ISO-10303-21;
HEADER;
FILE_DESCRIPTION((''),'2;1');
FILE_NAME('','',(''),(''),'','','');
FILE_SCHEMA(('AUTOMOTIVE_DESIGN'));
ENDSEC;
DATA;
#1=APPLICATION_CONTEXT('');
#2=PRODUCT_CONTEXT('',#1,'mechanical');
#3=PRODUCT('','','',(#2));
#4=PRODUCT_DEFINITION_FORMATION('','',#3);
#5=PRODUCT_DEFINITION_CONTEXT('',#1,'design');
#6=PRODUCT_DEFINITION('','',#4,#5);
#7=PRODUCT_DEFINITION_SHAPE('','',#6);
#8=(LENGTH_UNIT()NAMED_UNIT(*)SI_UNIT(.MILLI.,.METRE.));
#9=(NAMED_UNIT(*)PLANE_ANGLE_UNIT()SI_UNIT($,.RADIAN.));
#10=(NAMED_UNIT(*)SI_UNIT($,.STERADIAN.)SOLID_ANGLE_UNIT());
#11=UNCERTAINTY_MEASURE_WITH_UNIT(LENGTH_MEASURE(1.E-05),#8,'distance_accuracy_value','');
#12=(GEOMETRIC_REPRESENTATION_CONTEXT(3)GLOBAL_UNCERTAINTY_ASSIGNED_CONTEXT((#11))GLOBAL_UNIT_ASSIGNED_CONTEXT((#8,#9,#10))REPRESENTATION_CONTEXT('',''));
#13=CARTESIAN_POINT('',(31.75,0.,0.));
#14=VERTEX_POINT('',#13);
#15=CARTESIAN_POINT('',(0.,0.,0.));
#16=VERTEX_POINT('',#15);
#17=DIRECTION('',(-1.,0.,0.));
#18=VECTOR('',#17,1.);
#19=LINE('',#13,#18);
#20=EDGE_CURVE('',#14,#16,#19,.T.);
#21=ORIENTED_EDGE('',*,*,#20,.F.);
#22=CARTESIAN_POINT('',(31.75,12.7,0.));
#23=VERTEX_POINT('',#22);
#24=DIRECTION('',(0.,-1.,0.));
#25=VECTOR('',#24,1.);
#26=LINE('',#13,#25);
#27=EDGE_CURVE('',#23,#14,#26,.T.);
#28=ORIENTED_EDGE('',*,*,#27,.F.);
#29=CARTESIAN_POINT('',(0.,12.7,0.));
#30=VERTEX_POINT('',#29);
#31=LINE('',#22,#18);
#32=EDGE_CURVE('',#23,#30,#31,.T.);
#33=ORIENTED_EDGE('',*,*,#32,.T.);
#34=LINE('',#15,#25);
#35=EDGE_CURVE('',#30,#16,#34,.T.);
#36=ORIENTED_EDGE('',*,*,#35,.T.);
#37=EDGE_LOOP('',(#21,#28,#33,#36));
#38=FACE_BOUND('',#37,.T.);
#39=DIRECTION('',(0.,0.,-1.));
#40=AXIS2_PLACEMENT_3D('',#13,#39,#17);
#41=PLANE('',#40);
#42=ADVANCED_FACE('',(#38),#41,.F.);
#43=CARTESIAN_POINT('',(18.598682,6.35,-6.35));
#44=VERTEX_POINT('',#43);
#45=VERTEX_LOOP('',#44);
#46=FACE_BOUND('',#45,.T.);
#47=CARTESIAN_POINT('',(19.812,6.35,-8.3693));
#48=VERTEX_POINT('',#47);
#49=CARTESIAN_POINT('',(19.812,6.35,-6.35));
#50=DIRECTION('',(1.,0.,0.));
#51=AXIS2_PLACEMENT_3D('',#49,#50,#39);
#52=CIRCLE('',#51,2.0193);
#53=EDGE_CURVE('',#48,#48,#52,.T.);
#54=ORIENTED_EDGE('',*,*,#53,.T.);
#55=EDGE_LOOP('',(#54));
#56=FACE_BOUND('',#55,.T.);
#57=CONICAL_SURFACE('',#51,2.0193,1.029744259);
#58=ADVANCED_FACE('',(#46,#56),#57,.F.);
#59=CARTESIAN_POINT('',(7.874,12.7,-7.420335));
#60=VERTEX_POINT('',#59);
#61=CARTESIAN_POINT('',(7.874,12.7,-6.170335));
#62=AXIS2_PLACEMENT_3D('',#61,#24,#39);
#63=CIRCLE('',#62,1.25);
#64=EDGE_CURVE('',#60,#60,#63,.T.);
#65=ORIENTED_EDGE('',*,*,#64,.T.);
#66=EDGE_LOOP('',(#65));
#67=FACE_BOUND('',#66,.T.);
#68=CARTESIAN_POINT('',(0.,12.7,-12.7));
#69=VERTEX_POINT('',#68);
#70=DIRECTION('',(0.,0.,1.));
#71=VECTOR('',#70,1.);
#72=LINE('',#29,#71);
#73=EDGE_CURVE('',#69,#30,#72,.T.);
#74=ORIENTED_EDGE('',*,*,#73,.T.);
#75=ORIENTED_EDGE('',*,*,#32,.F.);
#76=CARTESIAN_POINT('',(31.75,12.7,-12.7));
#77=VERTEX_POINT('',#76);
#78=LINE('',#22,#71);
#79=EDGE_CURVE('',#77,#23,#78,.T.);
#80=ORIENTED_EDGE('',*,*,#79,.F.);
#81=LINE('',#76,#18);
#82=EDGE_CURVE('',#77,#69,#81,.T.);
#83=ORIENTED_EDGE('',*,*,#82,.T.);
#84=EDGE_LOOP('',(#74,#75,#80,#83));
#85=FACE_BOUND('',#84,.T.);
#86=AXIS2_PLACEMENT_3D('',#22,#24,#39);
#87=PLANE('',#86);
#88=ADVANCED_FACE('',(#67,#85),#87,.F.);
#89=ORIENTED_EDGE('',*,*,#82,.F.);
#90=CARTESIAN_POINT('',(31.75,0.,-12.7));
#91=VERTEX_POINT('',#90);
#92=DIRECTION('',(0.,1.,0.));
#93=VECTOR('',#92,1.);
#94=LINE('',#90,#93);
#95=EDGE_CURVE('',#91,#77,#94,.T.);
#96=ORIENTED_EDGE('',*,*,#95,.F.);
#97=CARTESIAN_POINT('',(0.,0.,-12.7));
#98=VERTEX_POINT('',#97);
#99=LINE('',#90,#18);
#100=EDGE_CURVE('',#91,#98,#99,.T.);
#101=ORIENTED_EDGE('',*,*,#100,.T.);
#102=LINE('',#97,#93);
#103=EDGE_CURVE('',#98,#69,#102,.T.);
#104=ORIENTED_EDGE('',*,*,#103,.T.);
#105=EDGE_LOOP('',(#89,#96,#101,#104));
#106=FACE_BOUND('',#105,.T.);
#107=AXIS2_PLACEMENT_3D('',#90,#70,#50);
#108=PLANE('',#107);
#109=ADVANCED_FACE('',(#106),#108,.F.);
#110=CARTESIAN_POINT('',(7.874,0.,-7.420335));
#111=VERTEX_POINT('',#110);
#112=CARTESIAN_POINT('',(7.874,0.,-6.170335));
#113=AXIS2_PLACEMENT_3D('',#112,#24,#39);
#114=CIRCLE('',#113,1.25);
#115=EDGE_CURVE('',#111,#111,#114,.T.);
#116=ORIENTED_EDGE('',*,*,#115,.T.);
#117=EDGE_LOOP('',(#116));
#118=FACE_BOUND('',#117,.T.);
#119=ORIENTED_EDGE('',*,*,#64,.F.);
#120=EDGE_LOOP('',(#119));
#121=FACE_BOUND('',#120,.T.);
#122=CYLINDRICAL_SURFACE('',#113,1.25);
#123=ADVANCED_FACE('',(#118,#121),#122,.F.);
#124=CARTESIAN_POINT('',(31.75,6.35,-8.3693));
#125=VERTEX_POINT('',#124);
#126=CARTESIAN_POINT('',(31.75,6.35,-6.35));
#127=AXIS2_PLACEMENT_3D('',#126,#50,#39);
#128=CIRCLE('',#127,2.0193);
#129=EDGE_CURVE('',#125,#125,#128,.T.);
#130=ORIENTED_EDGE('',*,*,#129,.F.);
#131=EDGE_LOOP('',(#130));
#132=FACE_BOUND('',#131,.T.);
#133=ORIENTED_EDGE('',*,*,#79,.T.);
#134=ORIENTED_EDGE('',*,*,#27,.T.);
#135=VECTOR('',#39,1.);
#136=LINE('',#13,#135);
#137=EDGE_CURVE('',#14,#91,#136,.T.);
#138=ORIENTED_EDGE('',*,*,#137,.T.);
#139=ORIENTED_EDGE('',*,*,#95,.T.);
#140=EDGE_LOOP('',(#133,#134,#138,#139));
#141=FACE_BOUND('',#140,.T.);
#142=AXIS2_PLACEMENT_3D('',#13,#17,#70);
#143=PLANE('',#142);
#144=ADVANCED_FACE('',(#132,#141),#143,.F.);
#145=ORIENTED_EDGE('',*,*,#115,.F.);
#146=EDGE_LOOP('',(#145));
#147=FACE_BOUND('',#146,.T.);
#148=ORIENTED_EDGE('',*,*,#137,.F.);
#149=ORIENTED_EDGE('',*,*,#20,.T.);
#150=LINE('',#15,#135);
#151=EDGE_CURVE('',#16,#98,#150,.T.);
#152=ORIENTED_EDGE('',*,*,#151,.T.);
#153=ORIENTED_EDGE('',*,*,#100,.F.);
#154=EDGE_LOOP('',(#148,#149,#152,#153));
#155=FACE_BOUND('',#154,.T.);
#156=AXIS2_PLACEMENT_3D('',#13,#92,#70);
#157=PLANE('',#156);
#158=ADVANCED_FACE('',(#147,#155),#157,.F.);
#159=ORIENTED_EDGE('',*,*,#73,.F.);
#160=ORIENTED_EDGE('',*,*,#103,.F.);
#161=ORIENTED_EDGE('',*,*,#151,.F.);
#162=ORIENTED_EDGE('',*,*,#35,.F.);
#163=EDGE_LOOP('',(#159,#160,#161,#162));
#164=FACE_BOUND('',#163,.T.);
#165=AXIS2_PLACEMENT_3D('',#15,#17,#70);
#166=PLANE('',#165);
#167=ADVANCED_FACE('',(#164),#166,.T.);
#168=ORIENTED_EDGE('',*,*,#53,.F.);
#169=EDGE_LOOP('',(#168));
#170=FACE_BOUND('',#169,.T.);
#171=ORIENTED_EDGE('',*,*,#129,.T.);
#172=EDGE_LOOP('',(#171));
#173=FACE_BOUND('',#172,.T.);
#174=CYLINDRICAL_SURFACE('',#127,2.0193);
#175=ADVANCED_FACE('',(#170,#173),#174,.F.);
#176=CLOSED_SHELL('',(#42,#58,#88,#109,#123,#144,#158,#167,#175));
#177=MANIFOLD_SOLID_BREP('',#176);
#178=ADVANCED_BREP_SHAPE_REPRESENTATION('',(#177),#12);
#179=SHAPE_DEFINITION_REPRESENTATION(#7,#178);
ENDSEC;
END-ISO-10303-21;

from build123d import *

# Parameters (mm, degrees)
SKETCH1_W                  = 12.7
SKETCH1_H                  = 12.7
BOSS_EXTRUDE1_DEPTH        = 31.75
F_10_32_TAPPED_HOLE1_D     = 4.0386
F_10_32_TAPPED_HOLE1_DEPTH = 11.938
F_10_32_TAPPED_HOLE1_TIP   = 1.213317848
M3X0_5_TAPPED_HOLE1_D      = 2.5


with BuildPart() as part:
    # Sketch1 → Boss-Extrude1 (new body)
    with BuildSketch(Plane(origin=(0, 0, 0), x_dir=(0, 0, -1), z_dir=(1, 0, 0))):
        with Locations((6.35, 6.35)):
            Rectangle(SKETCH1_W, SKETCH1_H)
    extrude(amount=BOSS_EXTRUDE1_DEPTH)

    # #10-32 Tapped Hole1
    with Locations(Plane(origin=(31.75, 0.23991288, -27.515191368), x_dir=(0, 0, 1), z_dir=(1, 0, 0))):
        with Locations((21.165191368, -6.11008712)):
            Hole(F_10_32_TAPPED_HOLE1_D / 2, depth=F_10_32_TAPPED_HOLE1_DEPTH)
            with Locations((0, 0, -(F_10_32_TAPPED_HOLE1_DEPTH + F_10_32_TAPPED_HOLE1_TIP / 2))):  # 118° drill point
                Cone(0, F_10_32_TAPPED_HOLE1_D / 2, F_10_32_TAPPED_HOLE1_TIP, mode=Mode.SUBTRACT)

    # M3x0.5 Tapped Hole1 (through all)
    with Locations(Plane(origin=(0.397447268, 0, -0.674798578), x_dir=(1, 0, 0), z_dir=(0, -1, 0))):
        with Locations((7.476552732, -5.495536137)):
            Hole(M3X0_5_TAPPED_HOLE1_D / 2)


solid = part.part
